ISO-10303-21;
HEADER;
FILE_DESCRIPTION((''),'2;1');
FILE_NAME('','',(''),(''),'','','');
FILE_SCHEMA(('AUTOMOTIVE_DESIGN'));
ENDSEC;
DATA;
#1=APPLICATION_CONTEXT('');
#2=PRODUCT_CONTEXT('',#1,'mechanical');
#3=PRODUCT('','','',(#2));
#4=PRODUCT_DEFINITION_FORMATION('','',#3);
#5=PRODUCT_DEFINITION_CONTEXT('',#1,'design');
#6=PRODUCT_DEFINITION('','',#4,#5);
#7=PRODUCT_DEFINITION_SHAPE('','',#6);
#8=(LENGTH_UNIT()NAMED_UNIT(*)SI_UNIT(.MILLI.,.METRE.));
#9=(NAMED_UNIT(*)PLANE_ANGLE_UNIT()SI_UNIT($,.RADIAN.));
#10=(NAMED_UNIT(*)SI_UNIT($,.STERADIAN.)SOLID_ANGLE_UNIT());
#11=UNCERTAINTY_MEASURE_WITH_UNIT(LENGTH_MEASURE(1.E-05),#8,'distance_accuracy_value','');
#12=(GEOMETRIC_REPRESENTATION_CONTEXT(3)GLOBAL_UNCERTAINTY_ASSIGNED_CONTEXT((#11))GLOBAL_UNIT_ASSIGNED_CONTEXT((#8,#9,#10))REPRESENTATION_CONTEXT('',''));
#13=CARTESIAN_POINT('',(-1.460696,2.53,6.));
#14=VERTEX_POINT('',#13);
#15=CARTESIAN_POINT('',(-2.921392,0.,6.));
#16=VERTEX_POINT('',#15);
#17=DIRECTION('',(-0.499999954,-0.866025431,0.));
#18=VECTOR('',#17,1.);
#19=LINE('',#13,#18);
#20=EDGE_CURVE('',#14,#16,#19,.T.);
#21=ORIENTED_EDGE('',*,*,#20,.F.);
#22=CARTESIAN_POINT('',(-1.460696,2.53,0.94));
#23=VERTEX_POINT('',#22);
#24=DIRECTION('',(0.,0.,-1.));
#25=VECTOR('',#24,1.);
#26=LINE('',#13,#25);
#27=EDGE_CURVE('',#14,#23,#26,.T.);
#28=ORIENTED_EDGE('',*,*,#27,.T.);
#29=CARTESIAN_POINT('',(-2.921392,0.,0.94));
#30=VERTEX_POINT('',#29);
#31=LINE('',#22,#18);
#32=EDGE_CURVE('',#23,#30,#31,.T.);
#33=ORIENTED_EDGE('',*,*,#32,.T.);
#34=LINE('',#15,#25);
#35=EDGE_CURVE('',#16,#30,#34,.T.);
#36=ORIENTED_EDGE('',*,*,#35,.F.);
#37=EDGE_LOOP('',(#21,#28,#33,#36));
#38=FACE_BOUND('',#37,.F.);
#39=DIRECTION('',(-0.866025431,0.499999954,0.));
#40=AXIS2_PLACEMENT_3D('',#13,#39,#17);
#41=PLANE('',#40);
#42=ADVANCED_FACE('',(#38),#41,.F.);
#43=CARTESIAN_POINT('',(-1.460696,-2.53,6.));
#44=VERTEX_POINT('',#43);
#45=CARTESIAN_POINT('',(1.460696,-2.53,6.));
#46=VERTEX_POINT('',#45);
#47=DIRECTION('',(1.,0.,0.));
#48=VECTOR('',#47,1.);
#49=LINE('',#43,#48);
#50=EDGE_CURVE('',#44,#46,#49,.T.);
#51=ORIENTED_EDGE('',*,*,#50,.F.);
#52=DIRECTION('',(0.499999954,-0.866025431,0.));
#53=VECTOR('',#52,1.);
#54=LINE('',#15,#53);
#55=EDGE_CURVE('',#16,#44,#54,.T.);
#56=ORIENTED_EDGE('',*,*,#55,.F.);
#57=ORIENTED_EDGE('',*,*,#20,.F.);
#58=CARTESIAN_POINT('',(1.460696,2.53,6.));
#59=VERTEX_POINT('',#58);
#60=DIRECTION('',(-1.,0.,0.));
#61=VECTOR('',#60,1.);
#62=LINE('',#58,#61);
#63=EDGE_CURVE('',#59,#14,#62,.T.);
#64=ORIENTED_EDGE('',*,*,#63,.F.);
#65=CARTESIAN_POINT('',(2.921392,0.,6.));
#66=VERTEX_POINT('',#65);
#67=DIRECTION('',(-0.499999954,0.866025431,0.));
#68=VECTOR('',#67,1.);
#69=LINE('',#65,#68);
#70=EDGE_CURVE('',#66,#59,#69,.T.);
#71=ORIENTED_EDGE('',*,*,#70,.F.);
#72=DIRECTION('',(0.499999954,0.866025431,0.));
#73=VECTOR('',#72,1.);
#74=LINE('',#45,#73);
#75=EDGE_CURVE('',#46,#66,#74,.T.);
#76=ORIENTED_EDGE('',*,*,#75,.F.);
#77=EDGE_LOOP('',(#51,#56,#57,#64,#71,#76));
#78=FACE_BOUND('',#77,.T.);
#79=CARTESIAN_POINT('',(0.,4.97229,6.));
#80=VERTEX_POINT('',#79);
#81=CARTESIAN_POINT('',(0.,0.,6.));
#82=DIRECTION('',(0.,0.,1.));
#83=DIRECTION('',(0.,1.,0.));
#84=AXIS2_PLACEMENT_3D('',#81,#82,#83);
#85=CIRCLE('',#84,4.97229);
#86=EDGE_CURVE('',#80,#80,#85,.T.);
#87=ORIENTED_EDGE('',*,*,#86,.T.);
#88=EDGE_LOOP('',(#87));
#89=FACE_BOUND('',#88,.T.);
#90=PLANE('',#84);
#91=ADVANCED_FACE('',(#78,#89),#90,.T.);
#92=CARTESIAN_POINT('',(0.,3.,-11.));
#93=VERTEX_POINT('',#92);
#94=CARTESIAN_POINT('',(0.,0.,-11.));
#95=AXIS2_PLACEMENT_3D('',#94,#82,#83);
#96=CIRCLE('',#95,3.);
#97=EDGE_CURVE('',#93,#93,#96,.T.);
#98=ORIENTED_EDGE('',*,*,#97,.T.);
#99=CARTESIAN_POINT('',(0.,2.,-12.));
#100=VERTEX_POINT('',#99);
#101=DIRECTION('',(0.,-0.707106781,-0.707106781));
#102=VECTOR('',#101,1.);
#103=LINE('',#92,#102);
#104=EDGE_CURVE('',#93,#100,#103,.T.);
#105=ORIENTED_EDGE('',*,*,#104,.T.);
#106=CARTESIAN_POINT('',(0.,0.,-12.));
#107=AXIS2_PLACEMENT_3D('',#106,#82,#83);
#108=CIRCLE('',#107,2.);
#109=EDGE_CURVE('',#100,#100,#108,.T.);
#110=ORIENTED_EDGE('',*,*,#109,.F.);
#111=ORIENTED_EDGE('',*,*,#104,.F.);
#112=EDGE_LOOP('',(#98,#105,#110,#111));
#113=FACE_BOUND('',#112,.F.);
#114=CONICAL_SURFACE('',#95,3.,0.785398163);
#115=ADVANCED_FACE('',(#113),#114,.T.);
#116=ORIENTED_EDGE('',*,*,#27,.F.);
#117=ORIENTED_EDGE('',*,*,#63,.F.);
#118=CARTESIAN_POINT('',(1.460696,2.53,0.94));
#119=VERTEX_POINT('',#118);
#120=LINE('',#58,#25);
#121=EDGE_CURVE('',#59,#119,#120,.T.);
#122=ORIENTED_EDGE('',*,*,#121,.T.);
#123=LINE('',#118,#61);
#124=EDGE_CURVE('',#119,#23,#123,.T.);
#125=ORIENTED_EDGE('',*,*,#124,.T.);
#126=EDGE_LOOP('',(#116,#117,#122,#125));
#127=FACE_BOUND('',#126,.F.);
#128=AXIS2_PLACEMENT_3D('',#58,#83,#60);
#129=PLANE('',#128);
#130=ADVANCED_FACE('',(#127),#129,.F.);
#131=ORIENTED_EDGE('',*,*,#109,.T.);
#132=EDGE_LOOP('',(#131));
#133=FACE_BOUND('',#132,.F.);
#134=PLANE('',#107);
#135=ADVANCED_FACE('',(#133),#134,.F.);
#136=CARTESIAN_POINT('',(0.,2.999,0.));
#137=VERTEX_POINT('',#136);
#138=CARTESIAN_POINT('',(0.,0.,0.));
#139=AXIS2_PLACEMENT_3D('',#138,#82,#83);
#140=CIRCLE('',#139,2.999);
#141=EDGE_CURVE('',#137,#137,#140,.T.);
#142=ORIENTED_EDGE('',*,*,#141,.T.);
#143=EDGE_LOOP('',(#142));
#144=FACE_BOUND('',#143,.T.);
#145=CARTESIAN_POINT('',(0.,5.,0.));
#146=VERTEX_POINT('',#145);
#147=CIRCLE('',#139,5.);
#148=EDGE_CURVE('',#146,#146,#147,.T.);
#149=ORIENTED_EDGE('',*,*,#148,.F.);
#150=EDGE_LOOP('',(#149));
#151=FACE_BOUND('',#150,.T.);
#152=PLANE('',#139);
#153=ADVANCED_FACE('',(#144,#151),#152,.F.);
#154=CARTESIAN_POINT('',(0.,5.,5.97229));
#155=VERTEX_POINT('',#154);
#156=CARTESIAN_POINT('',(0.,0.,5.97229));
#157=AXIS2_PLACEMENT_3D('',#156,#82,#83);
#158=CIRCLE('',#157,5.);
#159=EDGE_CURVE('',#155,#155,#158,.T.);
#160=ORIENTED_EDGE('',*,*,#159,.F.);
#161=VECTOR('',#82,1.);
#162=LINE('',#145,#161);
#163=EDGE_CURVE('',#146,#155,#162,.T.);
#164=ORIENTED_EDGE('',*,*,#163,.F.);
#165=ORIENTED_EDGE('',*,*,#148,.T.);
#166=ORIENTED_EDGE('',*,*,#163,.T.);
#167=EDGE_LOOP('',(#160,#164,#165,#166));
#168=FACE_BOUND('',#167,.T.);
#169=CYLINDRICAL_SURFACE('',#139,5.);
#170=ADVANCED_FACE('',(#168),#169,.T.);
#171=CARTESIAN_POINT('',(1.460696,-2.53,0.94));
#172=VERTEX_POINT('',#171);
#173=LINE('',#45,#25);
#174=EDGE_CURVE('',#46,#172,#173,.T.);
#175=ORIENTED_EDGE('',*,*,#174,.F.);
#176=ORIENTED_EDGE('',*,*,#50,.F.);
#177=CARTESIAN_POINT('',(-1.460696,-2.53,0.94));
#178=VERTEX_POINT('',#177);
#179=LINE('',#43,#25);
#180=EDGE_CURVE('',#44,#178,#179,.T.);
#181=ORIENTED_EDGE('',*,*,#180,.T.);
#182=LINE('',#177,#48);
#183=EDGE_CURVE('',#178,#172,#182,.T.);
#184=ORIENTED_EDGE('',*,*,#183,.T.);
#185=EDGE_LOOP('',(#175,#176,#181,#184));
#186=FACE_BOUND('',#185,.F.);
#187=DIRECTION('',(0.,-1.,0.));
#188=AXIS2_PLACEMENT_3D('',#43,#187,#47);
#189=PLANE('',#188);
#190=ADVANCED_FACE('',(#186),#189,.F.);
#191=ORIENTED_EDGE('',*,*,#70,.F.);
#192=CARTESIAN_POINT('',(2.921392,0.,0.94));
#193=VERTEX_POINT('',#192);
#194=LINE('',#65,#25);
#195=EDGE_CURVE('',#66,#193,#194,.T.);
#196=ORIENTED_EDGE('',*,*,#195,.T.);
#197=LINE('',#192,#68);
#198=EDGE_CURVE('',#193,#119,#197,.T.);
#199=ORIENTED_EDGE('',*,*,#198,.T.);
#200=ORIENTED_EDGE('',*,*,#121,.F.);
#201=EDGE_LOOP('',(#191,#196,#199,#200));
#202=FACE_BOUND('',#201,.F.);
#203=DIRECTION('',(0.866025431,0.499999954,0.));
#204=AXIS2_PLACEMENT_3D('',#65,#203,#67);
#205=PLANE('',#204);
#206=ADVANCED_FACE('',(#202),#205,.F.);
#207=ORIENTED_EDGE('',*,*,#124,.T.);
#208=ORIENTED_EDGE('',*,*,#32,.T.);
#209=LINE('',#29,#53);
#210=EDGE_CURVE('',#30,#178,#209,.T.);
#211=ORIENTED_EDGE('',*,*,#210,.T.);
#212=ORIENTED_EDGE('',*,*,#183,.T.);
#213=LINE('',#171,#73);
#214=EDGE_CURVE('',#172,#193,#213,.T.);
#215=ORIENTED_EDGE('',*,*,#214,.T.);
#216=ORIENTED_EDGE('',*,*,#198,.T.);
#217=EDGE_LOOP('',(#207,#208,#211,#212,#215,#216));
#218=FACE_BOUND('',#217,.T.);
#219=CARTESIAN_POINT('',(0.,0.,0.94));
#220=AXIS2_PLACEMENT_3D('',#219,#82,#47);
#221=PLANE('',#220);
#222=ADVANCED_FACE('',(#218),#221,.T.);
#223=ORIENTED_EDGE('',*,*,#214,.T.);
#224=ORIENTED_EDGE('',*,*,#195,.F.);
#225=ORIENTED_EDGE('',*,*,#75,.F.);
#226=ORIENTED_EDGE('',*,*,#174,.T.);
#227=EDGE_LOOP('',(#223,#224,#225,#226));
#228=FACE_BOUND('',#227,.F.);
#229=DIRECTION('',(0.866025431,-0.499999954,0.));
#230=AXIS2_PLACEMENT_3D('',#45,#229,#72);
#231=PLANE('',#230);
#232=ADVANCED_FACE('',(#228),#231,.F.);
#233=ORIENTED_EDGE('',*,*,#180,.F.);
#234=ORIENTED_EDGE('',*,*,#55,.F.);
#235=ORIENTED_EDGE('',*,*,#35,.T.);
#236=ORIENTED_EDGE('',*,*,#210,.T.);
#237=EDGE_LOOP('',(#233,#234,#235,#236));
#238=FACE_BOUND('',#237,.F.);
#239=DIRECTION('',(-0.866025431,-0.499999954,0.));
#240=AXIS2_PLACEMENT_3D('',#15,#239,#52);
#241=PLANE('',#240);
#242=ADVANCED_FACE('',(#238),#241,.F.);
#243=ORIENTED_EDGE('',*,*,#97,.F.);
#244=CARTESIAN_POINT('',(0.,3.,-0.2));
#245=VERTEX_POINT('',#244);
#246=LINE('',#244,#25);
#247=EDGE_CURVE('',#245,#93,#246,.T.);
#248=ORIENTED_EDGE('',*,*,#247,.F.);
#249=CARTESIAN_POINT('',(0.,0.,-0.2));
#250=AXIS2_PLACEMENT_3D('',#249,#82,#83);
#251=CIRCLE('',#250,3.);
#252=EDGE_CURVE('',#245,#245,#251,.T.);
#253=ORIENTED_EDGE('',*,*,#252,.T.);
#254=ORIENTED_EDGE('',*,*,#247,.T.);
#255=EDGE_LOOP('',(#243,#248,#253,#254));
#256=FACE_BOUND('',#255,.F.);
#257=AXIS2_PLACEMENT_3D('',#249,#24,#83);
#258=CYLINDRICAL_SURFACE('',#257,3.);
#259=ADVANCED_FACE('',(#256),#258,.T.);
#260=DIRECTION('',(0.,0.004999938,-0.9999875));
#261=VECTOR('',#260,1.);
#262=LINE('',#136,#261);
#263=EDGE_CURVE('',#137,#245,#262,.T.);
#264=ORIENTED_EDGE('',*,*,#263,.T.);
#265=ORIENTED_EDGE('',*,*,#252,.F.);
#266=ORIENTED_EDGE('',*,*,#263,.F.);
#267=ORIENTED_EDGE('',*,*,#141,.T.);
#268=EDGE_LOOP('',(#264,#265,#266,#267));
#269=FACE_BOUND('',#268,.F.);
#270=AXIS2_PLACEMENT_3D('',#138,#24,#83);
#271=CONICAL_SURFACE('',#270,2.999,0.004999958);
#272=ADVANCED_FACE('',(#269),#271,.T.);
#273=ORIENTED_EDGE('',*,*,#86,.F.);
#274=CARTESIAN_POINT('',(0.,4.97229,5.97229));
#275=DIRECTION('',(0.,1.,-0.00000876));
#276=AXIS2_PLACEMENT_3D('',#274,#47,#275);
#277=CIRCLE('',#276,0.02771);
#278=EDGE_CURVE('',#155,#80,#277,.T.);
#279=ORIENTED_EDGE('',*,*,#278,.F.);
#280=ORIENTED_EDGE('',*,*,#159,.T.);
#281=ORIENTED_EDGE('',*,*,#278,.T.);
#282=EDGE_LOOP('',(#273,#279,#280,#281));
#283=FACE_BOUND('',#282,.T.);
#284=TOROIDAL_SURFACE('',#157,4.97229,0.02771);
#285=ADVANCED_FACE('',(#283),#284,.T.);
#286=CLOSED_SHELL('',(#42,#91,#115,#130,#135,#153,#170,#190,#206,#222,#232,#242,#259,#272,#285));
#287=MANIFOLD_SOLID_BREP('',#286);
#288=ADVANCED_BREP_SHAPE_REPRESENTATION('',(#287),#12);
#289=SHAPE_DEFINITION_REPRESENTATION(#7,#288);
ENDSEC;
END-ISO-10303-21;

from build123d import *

# Parameters (mm, degrees)
POCKET_DEPTH = 5.06


with BuildPart() as part:
    # Sketch → Revolve (revolve)
    with BuildSketch(Plane.YZ):
        with BuildLine():
            Line((2.999, 0), (5, 0))
            Line((5, 0), (5, 5.97229))
            ThreePointArc((5, 5.97229), (4.991884, 5.991884), (4.97229, 6))
            Line((4.97229, 6), (0, 6))
            Line((0, -12), (0, 6))
            Line((2, -12), (0, -12))
            Line((3, -11), (2, -12))
            Line((3, -0.2), (3, -11))
            Line((2.999, 0), (3, -0.2))
        make_face()
    revolve(axis=Axis((0, 0, 0), (0, 0, 1)))

    # Sketch001 → Pocket (cut)
    with BuildSketch(Plane.XY.offset(6)):
        Polygon((2.921392, 0), (1.460696, 2.53), (-1.460696, 2.53), (-2.921392, 0), (-1.460696, -2.53), (1.460696, -2.53), align=None)
    extrude(amount=-POCKET_DEPTH, mode=Mode.SUBTRACT)


solid = part.part
